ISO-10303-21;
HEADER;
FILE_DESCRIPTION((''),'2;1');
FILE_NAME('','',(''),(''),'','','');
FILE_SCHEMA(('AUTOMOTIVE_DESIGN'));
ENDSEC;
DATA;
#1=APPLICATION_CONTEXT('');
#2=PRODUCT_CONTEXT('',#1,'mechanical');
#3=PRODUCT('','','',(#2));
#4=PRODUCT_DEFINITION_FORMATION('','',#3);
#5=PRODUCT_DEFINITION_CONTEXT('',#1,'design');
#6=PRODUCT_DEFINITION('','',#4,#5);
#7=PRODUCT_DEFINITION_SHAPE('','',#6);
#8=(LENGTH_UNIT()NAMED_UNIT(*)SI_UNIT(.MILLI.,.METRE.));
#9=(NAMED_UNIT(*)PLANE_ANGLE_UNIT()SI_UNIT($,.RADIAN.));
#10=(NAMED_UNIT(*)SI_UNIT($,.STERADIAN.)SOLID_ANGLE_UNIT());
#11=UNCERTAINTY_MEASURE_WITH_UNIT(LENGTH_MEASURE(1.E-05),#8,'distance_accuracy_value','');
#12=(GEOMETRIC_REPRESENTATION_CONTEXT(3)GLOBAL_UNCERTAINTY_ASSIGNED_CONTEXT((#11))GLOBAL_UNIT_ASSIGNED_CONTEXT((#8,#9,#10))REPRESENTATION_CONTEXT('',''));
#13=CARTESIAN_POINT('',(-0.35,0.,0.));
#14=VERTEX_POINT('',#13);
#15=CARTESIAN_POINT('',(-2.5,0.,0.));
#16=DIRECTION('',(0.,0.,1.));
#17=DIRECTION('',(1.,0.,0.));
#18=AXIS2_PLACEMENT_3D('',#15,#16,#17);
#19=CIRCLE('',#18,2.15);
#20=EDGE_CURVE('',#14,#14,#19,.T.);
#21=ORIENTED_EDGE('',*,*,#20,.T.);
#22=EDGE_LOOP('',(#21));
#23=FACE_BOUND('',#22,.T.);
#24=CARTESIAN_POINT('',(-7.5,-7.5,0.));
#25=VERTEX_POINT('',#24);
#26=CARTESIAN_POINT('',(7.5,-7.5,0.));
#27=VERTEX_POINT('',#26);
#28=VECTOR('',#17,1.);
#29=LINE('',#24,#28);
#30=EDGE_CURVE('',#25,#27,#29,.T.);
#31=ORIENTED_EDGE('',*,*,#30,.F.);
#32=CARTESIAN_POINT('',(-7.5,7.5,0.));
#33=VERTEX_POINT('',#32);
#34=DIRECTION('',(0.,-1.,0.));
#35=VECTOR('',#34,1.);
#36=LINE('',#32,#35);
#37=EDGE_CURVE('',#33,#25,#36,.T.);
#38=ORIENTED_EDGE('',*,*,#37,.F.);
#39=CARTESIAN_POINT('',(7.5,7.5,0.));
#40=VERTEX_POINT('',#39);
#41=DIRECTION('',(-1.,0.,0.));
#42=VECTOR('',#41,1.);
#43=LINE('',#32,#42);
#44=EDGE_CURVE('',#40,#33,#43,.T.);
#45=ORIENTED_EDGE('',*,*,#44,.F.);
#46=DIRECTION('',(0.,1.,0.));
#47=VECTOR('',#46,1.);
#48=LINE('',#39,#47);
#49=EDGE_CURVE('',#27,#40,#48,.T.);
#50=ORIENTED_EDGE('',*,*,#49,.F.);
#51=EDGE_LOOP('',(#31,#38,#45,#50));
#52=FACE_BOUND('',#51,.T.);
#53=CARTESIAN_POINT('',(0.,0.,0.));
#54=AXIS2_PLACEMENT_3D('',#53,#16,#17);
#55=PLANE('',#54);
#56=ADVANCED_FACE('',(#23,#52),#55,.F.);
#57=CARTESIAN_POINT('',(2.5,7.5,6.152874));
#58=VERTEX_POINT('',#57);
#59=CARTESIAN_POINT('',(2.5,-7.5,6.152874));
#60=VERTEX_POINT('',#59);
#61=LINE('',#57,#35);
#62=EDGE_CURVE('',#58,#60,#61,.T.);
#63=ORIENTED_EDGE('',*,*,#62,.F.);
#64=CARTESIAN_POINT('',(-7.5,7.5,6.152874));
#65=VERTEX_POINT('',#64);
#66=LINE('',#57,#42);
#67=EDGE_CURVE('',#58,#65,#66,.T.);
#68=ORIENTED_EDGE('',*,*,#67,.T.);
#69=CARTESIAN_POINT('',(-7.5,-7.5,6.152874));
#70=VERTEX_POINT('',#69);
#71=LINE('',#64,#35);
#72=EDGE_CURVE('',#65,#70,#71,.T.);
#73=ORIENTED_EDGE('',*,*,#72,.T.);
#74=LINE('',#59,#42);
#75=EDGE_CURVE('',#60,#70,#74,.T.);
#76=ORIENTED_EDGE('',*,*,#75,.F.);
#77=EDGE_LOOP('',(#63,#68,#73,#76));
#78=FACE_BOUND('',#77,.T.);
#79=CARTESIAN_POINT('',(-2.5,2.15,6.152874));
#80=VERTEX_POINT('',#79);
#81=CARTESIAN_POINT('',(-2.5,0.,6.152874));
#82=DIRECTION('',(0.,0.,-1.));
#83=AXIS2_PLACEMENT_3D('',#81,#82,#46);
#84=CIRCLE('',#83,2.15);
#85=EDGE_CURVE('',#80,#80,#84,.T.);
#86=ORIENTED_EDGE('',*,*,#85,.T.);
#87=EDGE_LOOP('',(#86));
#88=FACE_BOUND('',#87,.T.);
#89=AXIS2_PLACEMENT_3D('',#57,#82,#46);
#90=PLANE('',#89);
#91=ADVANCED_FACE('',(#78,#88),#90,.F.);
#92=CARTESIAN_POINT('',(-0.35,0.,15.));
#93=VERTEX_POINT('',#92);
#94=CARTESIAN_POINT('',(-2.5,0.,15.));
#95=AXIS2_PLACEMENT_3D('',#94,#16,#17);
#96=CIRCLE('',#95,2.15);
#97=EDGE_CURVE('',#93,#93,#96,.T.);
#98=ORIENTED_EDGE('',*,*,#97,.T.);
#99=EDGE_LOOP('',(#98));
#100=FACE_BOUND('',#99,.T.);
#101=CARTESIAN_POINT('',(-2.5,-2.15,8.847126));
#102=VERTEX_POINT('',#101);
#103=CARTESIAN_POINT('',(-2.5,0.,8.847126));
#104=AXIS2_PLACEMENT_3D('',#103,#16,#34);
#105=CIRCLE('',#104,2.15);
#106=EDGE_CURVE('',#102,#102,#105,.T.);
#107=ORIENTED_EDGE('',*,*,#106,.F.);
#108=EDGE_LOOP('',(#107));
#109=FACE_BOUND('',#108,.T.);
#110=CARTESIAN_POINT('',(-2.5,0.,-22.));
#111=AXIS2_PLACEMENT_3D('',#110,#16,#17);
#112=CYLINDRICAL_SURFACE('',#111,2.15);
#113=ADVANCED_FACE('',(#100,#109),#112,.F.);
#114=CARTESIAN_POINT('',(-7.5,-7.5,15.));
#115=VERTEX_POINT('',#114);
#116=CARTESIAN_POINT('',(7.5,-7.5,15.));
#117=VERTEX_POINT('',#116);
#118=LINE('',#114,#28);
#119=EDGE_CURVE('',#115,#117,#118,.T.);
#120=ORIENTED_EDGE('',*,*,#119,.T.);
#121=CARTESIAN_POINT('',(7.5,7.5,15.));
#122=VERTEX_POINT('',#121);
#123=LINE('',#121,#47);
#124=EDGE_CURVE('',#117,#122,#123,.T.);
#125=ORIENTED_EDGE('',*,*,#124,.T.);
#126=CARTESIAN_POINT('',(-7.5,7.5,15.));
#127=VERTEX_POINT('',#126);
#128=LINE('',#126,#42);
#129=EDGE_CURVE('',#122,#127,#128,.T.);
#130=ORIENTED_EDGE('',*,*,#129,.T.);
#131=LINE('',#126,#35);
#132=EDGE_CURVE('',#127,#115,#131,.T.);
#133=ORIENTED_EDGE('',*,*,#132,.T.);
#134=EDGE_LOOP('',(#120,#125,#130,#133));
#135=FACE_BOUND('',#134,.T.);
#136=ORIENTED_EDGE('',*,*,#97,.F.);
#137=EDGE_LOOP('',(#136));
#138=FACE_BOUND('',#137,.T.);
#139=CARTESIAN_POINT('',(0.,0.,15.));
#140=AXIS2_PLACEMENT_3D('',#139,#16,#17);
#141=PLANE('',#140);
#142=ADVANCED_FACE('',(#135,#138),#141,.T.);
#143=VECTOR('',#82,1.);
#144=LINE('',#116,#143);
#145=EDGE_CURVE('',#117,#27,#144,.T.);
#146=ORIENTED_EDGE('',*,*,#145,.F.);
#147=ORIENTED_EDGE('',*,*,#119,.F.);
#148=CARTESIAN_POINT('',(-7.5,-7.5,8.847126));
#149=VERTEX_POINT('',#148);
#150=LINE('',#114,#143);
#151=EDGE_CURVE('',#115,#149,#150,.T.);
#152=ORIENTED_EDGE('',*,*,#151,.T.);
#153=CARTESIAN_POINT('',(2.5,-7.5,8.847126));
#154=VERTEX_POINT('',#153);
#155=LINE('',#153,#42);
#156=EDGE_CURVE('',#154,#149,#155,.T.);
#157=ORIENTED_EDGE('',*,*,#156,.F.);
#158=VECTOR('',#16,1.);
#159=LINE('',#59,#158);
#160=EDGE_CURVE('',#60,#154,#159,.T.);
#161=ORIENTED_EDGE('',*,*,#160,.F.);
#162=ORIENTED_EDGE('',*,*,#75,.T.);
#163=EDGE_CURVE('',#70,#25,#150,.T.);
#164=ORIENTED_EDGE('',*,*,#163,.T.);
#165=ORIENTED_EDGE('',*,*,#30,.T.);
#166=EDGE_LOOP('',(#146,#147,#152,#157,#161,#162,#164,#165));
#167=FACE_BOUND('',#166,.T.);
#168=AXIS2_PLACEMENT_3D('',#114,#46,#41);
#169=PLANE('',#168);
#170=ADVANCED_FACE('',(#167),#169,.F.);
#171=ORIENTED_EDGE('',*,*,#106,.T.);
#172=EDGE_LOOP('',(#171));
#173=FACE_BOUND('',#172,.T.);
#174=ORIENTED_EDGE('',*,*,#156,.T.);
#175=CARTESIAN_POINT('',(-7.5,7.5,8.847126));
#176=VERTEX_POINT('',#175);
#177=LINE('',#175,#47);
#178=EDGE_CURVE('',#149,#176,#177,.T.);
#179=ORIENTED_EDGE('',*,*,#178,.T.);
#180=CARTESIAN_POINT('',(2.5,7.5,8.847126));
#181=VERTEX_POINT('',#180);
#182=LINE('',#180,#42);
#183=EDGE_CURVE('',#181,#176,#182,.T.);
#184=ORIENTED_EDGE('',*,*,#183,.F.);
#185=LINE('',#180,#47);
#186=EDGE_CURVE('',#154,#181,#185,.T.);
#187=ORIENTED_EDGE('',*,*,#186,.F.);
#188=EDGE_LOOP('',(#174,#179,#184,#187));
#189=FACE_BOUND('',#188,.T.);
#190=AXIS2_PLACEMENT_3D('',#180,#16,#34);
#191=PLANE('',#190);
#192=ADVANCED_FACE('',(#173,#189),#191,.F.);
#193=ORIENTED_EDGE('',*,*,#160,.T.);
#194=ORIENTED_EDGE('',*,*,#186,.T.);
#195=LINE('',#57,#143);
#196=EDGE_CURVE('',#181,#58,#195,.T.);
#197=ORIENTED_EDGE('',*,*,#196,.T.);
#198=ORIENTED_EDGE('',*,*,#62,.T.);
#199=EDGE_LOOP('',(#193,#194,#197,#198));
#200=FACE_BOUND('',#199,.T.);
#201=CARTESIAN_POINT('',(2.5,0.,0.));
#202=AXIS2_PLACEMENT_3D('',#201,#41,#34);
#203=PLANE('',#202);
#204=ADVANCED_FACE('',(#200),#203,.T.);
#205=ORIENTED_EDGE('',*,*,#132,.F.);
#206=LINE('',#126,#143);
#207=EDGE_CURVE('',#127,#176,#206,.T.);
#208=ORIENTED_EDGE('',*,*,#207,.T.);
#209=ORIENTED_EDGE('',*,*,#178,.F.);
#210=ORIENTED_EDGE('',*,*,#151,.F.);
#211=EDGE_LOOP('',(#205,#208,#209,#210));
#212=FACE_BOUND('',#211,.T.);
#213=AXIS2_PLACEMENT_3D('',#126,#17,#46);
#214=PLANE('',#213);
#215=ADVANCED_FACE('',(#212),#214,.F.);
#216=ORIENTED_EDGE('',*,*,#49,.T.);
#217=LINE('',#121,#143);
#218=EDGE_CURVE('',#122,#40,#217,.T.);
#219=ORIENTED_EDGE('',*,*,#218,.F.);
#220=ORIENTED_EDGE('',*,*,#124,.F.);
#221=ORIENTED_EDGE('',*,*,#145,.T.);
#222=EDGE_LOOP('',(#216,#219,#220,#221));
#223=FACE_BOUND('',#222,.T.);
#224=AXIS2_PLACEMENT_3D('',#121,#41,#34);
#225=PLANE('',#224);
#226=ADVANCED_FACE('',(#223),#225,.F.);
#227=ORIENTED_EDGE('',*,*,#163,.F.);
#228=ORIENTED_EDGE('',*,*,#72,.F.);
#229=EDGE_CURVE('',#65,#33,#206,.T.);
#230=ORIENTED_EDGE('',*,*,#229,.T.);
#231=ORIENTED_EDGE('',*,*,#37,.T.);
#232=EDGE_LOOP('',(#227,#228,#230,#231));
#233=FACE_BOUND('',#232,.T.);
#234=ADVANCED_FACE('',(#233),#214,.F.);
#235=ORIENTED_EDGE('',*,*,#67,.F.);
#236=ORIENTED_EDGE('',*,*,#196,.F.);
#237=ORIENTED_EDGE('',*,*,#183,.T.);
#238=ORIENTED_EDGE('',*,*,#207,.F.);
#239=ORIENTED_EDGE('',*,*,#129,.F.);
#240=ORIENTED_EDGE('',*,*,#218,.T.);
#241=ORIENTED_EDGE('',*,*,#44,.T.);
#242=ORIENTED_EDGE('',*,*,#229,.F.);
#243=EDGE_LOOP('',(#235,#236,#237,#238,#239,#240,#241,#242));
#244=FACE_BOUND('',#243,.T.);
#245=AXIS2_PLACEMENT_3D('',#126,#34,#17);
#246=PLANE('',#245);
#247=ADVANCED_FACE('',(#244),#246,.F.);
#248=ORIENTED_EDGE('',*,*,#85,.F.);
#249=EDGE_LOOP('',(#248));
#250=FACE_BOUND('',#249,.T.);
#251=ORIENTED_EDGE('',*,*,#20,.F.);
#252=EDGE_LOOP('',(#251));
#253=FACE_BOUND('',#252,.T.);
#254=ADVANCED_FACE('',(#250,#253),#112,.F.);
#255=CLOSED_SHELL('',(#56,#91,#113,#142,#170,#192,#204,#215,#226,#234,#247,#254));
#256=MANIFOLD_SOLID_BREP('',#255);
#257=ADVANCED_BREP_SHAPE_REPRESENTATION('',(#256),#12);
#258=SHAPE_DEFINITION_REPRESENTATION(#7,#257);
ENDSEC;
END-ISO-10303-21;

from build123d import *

# Parameters (mm, degrees)
SKETCH1_W           = 15
SKETCH1_H           = 15
BOSS_EXTRUDE1_DEPTH = 15
SKETCH2_W           = 2.69425289
SKETCH2_H           = 15
CUT_EXTRUDE1_DEPTH  = 10
SKETCH3_R           = 2.15
CUT_EXTRUDE2_DEPTH  = 37


with BuildPart() as part:
    # Sketch1 → Boss-Extrude1 (new body)
    with BuildSketch(Plane.XY):
        Rectangle(SKETCH1_W, SKETCH1_H)
    extrude(amount=BOSS_EXTRUDE1_DEPTH)

    # Sketch2 → Cut-Extrude1 (cut)
    with BuildSketch(Plane.ZY.offset(7.5)):
        with Locations((7.5, 0)):
            Rectangle(SKETCH2_W, SKETCH2_H)
    extrude(amount=-CUT_EXTRUDE1_DEPTH, mode=Mode.SUBTRACT)

    # Sketch3 → Cut-Extrude2 (cut)
    with BuildSketch(Plane.XY.offset(15)):
        with Locations((-2.5, 0)):
            Circle(SKETCH3_R)
    extrude(amount=-CUT_EXTRUDE2_DEPTH, mode=Mode.SUBTRACT)


solid = part.part
